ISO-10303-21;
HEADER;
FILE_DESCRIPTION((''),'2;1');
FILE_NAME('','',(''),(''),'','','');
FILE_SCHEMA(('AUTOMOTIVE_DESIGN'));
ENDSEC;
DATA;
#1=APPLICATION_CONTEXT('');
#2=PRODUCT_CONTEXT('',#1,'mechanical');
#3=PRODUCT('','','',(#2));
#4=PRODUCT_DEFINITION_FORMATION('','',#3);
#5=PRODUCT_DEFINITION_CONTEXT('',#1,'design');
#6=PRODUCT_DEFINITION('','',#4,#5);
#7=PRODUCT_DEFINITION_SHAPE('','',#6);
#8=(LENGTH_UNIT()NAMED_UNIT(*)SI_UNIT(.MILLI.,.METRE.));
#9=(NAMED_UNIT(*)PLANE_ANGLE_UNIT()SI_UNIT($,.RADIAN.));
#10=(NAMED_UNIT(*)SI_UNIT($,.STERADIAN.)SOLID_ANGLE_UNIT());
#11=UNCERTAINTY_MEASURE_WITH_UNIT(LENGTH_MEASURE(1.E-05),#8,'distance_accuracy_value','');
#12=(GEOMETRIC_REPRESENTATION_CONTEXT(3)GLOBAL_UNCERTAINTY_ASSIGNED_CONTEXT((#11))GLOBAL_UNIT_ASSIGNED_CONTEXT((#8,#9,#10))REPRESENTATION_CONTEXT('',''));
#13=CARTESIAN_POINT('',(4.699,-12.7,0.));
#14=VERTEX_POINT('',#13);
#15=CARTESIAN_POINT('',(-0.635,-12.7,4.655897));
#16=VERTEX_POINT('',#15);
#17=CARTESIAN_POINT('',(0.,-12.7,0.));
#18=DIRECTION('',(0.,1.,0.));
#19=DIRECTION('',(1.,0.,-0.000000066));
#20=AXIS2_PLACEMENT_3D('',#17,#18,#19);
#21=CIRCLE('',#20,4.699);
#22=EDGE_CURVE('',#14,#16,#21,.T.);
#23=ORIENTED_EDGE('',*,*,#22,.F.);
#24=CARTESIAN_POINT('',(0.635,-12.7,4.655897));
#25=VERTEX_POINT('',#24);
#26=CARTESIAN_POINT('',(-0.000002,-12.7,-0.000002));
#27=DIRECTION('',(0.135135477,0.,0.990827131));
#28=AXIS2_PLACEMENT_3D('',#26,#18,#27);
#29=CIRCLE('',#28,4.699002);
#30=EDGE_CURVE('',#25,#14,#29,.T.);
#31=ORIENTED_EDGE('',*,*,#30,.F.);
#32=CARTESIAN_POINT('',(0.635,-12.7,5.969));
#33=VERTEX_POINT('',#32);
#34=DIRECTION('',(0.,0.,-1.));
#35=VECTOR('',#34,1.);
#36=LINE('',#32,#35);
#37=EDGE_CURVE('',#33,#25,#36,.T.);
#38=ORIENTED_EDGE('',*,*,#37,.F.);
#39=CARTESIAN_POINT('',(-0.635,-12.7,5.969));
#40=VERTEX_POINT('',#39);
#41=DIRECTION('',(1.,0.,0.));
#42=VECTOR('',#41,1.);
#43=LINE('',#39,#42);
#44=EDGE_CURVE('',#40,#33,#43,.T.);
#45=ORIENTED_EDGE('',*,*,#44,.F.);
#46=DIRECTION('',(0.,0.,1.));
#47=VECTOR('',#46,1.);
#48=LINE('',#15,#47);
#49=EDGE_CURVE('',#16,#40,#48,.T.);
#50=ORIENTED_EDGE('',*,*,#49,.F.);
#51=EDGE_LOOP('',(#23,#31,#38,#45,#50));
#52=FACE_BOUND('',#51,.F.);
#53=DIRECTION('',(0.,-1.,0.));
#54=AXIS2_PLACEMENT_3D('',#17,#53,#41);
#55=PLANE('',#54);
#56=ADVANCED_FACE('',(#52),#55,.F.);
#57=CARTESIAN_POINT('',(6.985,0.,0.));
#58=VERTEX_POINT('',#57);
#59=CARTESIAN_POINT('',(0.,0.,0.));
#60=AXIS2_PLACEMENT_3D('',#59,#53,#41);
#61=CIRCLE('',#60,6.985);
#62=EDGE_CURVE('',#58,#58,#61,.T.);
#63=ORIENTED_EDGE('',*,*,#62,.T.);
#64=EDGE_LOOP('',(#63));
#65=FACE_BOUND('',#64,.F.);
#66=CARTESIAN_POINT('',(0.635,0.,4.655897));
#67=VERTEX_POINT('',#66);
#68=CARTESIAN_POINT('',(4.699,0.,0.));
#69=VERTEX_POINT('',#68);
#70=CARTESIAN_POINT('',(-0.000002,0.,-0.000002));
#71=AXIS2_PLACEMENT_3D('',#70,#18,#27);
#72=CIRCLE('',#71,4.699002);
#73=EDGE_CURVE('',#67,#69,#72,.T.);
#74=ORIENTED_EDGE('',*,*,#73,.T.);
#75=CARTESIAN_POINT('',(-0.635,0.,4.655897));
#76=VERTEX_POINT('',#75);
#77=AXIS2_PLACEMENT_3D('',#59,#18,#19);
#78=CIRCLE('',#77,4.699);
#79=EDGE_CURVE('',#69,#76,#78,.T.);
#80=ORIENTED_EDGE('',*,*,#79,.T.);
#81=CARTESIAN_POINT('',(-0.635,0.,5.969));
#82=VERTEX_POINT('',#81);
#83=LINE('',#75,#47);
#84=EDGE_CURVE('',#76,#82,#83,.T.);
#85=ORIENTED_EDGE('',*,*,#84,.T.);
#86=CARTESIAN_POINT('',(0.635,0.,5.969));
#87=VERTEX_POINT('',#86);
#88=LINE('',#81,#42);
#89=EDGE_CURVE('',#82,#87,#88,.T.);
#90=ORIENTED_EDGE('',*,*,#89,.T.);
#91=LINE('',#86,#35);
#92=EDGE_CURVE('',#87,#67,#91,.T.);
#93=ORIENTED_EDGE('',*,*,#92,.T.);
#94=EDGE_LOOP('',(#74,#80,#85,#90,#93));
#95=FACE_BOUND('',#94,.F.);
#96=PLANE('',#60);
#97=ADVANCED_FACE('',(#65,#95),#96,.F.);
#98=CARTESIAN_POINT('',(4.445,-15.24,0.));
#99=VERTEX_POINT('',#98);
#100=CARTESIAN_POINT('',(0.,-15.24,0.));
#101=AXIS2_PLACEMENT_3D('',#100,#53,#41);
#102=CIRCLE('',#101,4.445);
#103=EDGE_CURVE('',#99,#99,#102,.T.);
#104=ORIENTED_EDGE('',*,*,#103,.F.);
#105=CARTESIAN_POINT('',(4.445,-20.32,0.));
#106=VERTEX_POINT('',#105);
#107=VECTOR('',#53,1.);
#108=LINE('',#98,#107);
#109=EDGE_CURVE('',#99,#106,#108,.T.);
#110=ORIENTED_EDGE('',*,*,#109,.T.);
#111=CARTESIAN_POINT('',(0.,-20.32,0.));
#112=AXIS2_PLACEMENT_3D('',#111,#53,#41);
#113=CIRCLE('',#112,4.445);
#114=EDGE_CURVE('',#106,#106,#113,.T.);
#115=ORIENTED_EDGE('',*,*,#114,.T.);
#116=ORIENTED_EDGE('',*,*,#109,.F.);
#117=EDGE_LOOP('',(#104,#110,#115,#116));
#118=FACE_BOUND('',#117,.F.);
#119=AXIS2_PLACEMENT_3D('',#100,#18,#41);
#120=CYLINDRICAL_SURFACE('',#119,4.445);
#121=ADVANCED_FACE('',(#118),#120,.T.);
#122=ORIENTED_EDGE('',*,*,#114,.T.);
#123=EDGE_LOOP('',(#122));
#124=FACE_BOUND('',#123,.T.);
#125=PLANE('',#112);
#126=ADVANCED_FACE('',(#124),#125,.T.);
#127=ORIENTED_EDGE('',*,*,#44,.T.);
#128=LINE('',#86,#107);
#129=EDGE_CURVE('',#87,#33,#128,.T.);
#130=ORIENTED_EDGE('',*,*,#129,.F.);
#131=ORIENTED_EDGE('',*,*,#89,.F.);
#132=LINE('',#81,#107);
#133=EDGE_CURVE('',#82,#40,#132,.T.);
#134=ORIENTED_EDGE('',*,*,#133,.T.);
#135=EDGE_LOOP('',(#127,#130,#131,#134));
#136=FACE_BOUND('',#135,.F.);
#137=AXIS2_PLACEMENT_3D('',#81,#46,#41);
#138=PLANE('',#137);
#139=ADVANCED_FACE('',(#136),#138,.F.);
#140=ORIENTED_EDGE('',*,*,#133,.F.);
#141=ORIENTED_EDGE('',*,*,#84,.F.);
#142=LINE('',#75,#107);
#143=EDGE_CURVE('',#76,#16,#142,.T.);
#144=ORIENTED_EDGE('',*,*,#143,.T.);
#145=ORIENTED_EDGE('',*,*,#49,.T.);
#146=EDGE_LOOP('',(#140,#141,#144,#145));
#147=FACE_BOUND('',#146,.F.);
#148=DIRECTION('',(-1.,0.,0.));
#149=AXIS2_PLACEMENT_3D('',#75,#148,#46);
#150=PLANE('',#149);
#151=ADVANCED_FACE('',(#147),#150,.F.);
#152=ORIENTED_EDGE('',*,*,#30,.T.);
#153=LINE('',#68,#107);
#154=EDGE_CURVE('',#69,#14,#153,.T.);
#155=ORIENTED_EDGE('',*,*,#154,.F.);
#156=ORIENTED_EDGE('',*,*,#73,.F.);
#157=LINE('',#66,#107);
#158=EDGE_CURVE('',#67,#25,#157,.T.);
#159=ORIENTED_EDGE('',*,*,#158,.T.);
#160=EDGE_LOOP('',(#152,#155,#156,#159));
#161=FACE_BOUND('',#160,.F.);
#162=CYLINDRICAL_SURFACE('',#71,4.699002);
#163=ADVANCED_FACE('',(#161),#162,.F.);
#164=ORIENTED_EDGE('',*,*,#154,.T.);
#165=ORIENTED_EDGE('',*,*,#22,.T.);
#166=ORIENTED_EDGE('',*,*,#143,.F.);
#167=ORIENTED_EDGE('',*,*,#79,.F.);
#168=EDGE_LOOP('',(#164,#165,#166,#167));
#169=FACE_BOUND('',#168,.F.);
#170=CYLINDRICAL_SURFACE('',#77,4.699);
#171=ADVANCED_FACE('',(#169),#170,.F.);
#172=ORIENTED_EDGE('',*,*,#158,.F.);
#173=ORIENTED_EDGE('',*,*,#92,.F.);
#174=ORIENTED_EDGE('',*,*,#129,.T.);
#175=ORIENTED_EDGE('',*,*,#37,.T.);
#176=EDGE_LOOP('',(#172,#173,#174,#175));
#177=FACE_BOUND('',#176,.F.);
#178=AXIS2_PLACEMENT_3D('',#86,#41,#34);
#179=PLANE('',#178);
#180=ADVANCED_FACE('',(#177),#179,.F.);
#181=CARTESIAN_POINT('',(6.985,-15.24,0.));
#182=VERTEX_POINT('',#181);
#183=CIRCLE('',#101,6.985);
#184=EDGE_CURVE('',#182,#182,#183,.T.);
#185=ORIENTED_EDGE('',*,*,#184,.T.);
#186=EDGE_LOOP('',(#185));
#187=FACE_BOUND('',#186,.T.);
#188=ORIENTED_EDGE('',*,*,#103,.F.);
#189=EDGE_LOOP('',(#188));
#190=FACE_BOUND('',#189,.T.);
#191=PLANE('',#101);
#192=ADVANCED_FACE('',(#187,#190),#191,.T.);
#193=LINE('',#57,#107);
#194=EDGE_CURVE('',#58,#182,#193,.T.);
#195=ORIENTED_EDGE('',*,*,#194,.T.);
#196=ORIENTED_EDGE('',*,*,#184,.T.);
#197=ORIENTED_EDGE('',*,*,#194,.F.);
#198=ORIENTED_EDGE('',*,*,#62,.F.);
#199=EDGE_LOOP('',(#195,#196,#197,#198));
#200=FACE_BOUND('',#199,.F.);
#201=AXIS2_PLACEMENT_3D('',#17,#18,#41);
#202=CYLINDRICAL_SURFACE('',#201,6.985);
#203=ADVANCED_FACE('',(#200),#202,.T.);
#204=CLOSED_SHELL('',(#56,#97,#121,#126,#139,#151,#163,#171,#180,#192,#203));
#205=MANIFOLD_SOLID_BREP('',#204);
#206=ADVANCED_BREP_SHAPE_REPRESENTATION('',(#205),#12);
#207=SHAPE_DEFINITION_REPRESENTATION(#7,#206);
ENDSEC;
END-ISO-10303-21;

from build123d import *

# Parameters (mm, degrees)
F0_R     = 6.985
F1_DEPTH = 12.7
F2_R     = 6.985
F3_DEPTH = 2.54
F4_R     = 4.445
F5_DEPTH = 5.08


with BuildPart() as f1:
    # F0 (on Front) → F1 (new body)
    with BuildSketch(Plane.XZ):
        Circle(F0_R)
        with BuildLine():
            ThreePointArc((0.635, 4.655897), (3.540089, 3.090043), (4.699, 0))
            ThreePointArc((4.699, 0), (-3.090043, -3.540089), (-0.635, 4.655897))
            Line((-0.635, 4.655897), (-0.635, 5.969))
            Line((-0.635, 5.969), (0, 5.969))
            Line((0, 5.969), (0.635, 5.969))
            Line((0.635, 5.969), (0.635, 4.655897))
        make_face(mode=Mode.SUBTRACT)
    extrude(amount=F1_DEPTH)

    # F2 (on face) → F3 (join)
    with BuildSketch(Plane.XZ.offset(12.7)):
        Circle(F2_R)
    extrude(amount=F3_DEPTH)

    # F4 (on face) → F5 (join)
    with BuildSketch(Plane.XZ.offset(15.24)):
        Circle(F4_R)
    extrude(amount=F5_DEPTH)


solid = f1.part
